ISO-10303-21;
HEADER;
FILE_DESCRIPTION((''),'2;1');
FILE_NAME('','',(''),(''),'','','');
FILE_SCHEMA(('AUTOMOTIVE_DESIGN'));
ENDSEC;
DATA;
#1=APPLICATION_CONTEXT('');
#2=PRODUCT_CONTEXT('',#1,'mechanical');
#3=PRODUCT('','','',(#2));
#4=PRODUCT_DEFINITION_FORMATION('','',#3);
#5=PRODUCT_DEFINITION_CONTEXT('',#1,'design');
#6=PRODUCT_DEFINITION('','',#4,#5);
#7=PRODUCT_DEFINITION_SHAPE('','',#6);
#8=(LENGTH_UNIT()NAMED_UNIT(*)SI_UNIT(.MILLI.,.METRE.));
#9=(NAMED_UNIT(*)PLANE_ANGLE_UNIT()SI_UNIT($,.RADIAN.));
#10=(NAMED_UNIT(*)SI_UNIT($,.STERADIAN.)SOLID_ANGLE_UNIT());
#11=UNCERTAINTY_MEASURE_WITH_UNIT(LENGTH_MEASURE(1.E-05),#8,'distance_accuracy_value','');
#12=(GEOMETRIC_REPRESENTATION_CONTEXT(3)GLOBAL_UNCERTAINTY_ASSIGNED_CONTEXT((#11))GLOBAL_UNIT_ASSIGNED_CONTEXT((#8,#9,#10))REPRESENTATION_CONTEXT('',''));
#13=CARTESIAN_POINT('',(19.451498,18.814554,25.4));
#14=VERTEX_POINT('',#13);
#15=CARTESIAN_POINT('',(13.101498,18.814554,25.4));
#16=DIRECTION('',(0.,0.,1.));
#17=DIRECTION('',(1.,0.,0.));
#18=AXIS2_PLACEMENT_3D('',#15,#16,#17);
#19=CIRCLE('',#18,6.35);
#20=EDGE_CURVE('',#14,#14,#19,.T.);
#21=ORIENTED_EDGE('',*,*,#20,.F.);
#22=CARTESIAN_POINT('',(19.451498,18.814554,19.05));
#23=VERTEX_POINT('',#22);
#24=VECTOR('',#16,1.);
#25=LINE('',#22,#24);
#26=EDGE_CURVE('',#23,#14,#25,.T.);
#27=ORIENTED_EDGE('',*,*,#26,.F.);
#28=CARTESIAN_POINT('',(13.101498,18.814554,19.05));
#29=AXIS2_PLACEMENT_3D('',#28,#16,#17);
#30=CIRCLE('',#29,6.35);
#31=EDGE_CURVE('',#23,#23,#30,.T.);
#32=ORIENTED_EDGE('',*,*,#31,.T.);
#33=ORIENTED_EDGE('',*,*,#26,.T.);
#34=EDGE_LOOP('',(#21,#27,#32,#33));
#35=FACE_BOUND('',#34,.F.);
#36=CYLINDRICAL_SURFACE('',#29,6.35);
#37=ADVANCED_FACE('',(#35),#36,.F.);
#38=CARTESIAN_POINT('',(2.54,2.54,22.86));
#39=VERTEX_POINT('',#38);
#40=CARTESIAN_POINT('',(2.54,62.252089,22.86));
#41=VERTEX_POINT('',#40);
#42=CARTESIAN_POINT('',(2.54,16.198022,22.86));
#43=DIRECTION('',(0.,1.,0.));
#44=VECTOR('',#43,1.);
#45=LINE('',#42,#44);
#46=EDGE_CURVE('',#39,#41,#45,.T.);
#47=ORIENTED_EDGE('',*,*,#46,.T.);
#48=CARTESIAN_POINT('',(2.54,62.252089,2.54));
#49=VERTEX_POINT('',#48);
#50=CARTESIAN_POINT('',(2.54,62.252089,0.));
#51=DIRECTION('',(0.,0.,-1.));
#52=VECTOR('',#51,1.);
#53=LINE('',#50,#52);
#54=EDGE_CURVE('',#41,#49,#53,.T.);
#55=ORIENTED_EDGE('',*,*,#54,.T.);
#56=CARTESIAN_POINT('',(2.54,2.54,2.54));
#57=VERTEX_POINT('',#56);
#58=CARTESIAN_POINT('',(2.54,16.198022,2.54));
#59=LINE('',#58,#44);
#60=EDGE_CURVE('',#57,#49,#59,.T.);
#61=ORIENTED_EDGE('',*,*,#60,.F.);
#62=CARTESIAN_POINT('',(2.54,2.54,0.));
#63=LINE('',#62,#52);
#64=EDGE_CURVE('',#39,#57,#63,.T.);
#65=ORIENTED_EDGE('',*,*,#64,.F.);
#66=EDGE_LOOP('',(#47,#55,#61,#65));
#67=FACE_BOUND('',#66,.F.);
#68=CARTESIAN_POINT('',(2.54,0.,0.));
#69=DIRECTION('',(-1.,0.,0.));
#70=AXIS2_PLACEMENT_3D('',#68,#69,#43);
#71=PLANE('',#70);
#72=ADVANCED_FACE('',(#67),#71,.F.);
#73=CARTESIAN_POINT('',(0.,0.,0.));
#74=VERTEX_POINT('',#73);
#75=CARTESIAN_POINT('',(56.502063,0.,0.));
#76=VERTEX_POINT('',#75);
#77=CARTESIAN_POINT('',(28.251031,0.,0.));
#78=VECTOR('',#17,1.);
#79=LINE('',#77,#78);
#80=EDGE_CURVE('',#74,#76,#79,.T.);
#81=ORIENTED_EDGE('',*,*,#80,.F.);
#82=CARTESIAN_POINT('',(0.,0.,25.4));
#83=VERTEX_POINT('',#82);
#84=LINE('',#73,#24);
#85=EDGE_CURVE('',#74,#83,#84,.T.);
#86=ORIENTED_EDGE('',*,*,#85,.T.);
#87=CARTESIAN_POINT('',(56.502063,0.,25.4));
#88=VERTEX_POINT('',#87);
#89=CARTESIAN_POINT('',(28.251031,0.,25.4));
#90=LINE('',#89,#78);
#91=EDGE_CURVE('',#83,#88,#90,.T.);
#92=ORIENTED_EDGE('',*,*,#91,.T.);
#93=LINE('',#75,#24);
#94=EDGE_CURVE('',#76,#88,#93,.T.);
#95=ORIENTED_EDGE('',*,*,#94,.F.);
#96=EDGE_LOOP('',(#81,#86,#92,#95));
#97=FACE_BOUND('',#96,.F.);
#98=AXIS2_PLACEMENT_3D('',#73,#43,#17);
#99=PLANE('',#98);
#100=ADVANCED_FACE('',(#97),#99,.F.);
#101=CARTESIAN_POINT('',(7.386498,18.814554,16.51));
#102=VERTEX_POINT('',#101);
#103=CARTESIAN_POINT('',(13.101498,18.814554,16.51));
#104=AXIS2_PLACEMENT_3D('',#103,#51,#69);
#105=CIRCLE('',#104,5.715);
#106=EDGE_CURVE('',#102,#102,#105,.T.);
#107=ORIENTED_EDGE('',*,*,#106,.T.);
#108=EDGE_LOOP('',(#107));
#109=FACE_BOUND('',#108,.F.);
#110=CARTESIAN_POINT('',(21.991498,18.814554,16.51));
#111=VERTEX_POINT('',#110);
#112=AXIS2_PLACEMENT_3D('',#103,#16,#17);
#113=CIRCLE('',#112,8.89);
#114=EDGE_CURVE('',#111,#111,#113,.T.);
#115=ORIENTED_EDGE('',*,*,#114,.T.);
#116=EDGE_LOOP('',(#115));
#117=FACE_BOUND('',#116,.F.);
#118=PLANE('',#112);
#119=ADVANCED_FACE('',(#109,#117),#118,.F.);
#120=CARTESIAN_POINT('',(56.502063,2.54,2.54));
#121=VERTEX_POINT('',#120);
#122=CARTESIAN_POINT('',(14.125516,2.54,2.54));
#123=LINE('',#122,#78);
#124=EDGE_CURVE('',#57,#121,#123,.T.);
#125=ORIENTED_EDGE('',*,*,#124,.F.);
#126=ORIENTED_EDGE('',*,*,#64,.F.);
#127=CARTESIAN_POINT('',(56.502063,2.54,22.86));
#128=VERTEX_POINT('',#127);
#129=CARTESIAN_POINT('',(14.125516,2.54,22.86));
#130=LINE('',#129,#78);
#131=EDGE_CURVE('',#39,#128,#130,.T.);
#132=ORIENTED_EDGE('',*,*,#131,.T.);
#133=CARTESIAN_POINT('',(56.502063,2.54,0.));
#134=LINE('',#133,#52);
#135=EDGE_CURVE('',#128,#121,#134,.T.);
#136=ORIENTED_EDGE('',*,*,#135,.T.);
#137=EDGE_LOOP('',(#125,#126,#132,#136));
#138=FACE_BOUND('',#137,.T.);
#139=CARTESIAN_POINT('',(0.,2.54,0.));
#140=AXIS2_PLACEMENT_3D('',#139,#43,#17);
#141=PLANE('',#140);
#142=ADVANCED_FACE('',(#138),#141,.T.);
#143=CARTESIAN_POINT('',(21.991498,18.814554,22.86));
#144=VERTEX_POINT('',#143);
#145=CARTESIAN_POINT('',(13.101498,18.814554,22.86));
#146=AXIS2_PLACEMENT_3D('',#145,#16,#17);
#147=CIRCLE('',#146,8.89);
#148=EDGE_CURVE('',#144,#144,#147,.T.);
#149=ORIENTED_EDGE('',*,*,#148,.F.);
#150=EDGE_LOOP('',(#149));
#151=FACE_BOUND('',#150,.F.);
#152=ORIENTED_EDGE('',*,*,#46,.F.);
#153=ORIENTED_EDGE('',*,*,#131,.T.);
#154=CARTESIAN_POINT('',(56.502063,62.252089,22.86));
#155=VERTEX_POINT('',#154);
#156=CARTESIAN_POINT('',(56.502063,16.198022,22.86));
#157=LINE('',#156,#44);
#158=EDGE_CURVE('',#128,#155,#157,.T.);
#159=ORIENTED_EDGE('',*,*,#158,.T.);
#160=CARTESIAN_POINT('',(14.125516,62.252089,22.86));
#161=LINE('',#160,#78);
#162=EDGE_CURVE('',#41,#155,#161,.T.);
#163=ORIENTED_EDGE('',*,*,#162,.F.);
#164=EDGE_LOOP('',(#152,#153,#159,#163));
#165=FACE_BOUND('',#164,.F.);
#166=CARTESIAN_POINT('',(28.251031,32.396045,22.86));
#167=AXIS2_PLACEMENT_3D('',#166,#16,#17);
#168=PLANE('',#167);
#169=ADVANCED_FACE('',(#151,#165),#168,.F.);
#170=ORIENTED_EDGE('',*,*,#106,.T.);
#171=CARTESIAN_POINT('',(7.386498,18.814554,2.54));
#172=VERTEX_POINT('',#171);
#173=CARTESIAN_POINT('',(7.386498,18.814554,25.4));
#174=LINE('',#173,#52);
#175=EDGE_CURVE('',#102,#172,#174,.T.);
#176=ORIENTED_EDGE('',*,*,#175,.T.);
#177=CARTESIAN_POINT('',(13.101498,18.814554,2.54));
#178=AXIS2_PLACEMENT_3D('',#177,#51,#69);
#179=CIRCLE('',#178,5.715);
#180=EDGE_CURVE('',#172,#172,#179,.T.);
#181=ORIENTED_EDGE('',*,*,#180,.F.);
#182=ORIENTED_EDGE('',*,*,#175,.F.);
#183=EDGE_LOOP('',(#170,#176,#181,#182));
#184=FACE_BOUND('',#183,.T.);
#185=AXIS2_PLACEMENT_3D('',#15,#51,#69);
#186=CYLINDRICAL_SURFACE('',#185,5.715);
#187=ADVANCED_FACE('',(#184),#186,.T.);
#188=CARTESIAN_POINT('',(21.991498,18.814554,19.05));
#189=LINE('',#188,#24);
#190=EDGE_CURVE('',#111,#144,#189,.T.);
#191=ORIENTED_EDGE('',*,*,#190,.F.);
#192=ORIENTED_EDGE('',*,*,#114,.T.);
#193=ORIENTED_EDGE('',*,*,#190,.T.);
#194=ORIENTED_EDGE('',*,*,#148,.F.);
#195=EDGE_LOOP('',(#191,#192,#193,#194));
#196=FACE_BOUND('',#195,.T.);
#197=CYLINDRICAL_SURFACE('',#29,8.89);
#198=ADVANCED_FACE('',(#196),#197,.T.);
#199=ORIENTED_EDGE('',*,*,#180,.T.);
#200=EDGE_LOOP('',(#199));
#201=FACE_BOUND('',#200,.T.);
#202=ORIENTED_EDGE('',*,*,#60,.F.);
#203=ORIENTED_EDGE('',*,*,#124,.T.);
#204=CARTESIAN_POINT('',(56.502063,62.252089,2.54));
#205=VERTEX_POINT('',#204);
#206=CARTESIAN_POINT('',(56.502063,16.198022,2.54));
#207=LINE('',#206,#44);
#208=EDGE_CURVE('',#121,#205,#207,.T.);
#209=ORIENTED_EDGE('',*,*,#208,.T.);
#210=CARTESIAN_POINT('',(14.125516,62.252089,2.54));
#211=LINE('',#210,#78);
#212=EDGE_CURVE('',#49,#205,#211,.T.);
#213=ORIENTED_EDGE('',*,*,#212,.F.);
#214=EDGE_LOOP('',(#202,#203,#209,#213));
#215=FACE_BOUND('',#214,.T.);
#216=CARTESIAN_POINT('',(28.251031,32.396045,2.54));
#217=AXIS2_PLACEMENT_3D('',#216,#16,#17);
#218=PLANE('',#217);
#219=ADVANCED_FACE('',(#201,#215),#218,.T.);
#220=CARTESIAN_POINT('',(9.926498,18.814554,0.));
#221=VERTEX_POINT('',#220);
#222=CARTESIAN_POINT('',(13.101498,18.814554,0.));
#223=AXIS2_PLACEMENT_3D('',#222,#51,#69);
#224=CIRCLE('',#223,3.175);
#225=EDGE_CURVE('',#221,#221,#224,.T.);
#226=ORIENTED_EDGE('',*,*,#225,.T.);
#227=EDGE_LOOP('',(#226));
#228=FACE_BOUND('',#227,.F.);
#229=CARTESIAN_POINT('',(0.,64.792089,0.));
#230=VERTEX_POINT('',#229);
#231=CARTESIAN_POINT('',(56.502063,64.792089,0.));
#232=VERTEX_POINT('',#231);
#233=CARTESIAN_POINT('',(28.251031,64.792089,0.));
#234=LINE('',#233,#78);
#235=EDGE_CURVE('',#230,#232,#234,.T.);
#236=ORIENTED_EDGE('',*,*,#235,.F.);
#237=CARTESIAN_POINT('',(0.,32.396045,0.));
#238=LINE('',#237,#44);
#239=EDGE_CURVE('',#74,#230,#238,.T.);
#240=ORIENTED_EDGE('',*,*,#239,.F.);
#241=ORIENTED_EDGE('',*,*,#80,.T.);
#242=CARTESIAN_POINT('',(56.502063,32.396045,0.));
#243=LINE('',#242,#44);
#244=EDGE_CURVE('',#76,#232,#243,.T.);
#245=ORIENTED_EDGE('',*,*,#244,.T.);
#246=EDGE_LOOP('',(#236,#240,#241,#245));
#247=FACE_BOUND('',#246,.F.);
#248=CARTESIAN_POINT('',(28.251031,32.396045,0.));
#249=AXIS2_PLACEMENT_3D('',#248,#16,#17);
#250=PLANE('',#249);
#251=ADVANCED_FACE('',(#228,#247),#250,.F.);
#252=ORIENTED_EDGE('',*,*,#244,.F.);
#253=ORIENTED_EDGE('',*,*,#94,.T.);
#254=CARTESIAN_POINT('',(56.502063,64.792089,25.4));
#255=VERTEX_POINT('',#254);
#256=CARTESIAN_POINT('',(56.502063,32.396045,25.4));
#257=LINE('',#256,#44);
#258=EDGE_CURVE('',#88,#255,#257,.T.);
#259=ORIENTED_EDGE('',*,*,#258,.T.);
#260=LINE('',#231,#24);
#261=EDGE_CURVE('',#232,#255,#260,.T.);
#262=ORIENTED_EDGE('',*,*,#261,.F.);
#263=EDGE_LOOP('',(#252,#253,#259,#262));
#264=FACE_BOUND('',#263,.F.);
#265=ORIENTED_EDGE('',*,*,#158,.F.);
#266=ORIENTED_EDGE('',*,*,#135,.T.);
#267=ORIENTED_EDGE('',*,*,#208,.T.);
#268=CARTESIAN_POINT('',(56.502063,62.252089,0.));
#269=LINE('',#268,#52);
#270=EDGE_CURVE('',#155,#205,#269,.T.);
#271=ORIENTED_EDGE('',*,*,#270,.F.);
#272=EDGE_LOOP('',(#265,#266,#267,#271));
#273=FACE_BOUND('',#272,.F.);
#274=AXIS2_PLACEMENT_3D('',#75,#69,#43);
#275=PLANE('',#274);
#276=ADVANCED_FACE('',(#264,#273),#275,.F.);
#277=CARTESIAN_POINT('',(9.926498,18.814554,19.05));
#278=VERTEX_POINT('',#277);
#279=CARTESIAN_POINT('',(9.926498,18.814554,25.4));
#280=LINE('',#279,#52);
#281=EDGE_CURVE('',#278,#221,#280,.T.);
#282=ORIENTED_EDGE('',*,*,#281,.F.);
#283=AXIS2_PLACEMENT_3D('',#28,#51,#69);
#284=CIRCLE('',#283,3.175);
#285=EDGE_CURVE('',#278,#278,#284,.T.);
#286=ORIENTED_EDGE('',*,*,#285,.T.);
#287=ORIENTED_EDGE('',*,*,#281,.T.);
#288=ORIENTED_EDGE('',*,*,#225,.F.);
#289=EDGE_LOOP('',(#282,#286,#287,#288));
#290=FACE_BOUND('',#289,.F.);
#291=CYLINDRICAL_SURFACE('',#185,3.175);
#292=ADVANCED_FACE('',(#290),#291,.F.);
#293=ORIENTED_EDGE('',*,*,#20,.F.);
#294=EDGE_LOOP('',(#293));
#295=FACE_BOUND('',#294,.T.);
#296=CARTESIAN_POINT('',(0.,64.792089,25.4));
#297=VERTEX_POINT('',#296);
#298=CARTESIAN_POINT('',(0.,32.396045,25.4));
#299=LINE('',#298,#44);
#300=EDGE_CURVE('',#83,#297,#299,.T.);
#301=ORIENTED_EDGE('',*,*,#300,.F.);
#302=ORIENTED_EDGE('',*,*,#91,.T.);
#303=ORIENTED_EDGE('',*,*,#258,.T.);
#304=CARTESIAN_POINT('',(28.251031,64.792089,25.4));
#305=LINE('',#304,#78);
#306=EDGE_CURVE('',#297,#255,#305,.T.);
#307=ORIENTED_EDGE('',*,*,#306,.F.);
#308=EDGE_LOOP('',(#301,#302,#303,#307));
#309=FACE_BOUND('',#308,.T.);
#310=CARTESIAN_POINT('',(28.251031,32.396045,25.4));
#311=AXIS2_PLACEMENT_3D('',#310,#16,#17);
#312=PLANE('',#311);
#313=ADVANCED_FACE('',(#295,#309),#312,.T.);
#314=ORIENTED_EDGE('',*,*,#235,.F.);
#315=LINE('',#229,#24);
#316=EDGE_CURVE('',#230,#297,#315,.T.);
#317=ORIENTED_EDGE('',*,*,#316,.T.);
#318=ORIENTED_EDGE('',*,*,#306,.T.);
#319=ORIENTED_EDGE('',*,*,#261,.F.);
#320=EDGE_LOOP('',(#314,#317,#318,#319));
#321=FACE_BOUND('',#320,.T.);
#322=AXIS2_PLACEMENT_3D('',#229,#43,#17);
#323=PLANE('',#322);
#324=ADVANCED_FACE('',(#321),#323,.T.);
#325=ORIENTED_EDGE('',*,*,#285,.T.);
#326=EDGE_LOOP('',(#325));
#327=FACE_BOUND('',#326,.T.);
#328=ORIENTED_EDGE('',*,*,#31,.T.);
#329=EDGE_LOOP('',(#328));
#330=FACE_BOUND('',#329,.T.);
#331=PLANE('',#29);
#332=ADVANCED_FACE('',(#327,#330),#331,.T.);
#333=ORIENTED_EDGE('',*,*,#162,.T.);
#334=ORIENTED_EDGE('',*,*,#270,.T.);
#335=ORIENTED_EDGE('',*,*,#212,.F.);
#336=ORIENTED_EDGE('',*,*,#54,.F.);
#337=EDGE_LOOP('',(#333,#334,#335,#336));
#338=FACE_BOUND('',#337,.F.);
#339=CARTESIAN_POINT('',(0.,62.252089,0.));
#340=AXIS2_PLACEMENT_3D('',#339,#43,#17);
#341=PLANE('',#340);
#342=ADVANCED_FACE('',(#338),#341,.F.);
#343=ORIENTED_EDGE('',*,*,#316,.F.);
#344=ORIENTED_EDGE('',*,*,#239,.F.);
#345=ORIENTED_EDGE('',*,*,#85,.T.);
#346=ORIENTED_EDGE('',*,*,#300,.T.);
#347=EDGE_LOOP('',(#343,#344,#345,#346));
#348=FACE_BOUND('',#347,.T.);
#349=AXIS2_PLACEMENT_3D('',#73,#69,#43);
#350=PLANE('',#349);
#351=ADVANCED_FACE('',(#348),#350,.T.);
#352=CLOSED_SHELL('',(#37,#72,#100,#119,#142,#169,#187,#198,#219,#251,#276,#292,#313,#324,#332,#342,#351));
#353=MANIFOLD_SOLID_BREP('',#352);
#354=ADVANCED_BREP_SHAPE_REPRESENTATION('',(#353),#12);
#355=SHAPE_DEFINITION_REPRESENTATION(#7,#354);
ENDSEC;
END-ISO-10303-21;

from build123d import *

# Parameters (mm, degrees)
F0_W           = 56.5020628273
F0_H           = 64.7920891643
F1_DEPTH       = 25.4
F3_D           = 6.35
F3_CBORE_D     = 12.7
F3_CBORE_DEPTH = 6.35
F4_T           = -2.54


with BuildPart() as f1:
    # F0 (on Top) → F1 (new body)
    with BuildSketch(Plane.XY):
        with Locations((28.2510314137, 32.3960445821)):
            Rectangle(F0_W, F0_H)
    extrude(amount=F1_DEPTH)

    # F3 (through all)
    with Locations(Plane.XY.offset(25.4)):
        with Locations((13.101497665, 18.814554438)):
            CounterBoreHole(F3_D / 2, F3_CBORE_D / 2, F3_CBORE_DEPTH)

    # F4
    f4_openings = [f1.faces().sort_by_distance(p)[0] for p in [
        (56.502063, 32.396045, 12.7),
    ]]
    offset(amount=F4_T, openings=f4_openings, kind=Kind.INTERSECTION)


solid = f1.part
